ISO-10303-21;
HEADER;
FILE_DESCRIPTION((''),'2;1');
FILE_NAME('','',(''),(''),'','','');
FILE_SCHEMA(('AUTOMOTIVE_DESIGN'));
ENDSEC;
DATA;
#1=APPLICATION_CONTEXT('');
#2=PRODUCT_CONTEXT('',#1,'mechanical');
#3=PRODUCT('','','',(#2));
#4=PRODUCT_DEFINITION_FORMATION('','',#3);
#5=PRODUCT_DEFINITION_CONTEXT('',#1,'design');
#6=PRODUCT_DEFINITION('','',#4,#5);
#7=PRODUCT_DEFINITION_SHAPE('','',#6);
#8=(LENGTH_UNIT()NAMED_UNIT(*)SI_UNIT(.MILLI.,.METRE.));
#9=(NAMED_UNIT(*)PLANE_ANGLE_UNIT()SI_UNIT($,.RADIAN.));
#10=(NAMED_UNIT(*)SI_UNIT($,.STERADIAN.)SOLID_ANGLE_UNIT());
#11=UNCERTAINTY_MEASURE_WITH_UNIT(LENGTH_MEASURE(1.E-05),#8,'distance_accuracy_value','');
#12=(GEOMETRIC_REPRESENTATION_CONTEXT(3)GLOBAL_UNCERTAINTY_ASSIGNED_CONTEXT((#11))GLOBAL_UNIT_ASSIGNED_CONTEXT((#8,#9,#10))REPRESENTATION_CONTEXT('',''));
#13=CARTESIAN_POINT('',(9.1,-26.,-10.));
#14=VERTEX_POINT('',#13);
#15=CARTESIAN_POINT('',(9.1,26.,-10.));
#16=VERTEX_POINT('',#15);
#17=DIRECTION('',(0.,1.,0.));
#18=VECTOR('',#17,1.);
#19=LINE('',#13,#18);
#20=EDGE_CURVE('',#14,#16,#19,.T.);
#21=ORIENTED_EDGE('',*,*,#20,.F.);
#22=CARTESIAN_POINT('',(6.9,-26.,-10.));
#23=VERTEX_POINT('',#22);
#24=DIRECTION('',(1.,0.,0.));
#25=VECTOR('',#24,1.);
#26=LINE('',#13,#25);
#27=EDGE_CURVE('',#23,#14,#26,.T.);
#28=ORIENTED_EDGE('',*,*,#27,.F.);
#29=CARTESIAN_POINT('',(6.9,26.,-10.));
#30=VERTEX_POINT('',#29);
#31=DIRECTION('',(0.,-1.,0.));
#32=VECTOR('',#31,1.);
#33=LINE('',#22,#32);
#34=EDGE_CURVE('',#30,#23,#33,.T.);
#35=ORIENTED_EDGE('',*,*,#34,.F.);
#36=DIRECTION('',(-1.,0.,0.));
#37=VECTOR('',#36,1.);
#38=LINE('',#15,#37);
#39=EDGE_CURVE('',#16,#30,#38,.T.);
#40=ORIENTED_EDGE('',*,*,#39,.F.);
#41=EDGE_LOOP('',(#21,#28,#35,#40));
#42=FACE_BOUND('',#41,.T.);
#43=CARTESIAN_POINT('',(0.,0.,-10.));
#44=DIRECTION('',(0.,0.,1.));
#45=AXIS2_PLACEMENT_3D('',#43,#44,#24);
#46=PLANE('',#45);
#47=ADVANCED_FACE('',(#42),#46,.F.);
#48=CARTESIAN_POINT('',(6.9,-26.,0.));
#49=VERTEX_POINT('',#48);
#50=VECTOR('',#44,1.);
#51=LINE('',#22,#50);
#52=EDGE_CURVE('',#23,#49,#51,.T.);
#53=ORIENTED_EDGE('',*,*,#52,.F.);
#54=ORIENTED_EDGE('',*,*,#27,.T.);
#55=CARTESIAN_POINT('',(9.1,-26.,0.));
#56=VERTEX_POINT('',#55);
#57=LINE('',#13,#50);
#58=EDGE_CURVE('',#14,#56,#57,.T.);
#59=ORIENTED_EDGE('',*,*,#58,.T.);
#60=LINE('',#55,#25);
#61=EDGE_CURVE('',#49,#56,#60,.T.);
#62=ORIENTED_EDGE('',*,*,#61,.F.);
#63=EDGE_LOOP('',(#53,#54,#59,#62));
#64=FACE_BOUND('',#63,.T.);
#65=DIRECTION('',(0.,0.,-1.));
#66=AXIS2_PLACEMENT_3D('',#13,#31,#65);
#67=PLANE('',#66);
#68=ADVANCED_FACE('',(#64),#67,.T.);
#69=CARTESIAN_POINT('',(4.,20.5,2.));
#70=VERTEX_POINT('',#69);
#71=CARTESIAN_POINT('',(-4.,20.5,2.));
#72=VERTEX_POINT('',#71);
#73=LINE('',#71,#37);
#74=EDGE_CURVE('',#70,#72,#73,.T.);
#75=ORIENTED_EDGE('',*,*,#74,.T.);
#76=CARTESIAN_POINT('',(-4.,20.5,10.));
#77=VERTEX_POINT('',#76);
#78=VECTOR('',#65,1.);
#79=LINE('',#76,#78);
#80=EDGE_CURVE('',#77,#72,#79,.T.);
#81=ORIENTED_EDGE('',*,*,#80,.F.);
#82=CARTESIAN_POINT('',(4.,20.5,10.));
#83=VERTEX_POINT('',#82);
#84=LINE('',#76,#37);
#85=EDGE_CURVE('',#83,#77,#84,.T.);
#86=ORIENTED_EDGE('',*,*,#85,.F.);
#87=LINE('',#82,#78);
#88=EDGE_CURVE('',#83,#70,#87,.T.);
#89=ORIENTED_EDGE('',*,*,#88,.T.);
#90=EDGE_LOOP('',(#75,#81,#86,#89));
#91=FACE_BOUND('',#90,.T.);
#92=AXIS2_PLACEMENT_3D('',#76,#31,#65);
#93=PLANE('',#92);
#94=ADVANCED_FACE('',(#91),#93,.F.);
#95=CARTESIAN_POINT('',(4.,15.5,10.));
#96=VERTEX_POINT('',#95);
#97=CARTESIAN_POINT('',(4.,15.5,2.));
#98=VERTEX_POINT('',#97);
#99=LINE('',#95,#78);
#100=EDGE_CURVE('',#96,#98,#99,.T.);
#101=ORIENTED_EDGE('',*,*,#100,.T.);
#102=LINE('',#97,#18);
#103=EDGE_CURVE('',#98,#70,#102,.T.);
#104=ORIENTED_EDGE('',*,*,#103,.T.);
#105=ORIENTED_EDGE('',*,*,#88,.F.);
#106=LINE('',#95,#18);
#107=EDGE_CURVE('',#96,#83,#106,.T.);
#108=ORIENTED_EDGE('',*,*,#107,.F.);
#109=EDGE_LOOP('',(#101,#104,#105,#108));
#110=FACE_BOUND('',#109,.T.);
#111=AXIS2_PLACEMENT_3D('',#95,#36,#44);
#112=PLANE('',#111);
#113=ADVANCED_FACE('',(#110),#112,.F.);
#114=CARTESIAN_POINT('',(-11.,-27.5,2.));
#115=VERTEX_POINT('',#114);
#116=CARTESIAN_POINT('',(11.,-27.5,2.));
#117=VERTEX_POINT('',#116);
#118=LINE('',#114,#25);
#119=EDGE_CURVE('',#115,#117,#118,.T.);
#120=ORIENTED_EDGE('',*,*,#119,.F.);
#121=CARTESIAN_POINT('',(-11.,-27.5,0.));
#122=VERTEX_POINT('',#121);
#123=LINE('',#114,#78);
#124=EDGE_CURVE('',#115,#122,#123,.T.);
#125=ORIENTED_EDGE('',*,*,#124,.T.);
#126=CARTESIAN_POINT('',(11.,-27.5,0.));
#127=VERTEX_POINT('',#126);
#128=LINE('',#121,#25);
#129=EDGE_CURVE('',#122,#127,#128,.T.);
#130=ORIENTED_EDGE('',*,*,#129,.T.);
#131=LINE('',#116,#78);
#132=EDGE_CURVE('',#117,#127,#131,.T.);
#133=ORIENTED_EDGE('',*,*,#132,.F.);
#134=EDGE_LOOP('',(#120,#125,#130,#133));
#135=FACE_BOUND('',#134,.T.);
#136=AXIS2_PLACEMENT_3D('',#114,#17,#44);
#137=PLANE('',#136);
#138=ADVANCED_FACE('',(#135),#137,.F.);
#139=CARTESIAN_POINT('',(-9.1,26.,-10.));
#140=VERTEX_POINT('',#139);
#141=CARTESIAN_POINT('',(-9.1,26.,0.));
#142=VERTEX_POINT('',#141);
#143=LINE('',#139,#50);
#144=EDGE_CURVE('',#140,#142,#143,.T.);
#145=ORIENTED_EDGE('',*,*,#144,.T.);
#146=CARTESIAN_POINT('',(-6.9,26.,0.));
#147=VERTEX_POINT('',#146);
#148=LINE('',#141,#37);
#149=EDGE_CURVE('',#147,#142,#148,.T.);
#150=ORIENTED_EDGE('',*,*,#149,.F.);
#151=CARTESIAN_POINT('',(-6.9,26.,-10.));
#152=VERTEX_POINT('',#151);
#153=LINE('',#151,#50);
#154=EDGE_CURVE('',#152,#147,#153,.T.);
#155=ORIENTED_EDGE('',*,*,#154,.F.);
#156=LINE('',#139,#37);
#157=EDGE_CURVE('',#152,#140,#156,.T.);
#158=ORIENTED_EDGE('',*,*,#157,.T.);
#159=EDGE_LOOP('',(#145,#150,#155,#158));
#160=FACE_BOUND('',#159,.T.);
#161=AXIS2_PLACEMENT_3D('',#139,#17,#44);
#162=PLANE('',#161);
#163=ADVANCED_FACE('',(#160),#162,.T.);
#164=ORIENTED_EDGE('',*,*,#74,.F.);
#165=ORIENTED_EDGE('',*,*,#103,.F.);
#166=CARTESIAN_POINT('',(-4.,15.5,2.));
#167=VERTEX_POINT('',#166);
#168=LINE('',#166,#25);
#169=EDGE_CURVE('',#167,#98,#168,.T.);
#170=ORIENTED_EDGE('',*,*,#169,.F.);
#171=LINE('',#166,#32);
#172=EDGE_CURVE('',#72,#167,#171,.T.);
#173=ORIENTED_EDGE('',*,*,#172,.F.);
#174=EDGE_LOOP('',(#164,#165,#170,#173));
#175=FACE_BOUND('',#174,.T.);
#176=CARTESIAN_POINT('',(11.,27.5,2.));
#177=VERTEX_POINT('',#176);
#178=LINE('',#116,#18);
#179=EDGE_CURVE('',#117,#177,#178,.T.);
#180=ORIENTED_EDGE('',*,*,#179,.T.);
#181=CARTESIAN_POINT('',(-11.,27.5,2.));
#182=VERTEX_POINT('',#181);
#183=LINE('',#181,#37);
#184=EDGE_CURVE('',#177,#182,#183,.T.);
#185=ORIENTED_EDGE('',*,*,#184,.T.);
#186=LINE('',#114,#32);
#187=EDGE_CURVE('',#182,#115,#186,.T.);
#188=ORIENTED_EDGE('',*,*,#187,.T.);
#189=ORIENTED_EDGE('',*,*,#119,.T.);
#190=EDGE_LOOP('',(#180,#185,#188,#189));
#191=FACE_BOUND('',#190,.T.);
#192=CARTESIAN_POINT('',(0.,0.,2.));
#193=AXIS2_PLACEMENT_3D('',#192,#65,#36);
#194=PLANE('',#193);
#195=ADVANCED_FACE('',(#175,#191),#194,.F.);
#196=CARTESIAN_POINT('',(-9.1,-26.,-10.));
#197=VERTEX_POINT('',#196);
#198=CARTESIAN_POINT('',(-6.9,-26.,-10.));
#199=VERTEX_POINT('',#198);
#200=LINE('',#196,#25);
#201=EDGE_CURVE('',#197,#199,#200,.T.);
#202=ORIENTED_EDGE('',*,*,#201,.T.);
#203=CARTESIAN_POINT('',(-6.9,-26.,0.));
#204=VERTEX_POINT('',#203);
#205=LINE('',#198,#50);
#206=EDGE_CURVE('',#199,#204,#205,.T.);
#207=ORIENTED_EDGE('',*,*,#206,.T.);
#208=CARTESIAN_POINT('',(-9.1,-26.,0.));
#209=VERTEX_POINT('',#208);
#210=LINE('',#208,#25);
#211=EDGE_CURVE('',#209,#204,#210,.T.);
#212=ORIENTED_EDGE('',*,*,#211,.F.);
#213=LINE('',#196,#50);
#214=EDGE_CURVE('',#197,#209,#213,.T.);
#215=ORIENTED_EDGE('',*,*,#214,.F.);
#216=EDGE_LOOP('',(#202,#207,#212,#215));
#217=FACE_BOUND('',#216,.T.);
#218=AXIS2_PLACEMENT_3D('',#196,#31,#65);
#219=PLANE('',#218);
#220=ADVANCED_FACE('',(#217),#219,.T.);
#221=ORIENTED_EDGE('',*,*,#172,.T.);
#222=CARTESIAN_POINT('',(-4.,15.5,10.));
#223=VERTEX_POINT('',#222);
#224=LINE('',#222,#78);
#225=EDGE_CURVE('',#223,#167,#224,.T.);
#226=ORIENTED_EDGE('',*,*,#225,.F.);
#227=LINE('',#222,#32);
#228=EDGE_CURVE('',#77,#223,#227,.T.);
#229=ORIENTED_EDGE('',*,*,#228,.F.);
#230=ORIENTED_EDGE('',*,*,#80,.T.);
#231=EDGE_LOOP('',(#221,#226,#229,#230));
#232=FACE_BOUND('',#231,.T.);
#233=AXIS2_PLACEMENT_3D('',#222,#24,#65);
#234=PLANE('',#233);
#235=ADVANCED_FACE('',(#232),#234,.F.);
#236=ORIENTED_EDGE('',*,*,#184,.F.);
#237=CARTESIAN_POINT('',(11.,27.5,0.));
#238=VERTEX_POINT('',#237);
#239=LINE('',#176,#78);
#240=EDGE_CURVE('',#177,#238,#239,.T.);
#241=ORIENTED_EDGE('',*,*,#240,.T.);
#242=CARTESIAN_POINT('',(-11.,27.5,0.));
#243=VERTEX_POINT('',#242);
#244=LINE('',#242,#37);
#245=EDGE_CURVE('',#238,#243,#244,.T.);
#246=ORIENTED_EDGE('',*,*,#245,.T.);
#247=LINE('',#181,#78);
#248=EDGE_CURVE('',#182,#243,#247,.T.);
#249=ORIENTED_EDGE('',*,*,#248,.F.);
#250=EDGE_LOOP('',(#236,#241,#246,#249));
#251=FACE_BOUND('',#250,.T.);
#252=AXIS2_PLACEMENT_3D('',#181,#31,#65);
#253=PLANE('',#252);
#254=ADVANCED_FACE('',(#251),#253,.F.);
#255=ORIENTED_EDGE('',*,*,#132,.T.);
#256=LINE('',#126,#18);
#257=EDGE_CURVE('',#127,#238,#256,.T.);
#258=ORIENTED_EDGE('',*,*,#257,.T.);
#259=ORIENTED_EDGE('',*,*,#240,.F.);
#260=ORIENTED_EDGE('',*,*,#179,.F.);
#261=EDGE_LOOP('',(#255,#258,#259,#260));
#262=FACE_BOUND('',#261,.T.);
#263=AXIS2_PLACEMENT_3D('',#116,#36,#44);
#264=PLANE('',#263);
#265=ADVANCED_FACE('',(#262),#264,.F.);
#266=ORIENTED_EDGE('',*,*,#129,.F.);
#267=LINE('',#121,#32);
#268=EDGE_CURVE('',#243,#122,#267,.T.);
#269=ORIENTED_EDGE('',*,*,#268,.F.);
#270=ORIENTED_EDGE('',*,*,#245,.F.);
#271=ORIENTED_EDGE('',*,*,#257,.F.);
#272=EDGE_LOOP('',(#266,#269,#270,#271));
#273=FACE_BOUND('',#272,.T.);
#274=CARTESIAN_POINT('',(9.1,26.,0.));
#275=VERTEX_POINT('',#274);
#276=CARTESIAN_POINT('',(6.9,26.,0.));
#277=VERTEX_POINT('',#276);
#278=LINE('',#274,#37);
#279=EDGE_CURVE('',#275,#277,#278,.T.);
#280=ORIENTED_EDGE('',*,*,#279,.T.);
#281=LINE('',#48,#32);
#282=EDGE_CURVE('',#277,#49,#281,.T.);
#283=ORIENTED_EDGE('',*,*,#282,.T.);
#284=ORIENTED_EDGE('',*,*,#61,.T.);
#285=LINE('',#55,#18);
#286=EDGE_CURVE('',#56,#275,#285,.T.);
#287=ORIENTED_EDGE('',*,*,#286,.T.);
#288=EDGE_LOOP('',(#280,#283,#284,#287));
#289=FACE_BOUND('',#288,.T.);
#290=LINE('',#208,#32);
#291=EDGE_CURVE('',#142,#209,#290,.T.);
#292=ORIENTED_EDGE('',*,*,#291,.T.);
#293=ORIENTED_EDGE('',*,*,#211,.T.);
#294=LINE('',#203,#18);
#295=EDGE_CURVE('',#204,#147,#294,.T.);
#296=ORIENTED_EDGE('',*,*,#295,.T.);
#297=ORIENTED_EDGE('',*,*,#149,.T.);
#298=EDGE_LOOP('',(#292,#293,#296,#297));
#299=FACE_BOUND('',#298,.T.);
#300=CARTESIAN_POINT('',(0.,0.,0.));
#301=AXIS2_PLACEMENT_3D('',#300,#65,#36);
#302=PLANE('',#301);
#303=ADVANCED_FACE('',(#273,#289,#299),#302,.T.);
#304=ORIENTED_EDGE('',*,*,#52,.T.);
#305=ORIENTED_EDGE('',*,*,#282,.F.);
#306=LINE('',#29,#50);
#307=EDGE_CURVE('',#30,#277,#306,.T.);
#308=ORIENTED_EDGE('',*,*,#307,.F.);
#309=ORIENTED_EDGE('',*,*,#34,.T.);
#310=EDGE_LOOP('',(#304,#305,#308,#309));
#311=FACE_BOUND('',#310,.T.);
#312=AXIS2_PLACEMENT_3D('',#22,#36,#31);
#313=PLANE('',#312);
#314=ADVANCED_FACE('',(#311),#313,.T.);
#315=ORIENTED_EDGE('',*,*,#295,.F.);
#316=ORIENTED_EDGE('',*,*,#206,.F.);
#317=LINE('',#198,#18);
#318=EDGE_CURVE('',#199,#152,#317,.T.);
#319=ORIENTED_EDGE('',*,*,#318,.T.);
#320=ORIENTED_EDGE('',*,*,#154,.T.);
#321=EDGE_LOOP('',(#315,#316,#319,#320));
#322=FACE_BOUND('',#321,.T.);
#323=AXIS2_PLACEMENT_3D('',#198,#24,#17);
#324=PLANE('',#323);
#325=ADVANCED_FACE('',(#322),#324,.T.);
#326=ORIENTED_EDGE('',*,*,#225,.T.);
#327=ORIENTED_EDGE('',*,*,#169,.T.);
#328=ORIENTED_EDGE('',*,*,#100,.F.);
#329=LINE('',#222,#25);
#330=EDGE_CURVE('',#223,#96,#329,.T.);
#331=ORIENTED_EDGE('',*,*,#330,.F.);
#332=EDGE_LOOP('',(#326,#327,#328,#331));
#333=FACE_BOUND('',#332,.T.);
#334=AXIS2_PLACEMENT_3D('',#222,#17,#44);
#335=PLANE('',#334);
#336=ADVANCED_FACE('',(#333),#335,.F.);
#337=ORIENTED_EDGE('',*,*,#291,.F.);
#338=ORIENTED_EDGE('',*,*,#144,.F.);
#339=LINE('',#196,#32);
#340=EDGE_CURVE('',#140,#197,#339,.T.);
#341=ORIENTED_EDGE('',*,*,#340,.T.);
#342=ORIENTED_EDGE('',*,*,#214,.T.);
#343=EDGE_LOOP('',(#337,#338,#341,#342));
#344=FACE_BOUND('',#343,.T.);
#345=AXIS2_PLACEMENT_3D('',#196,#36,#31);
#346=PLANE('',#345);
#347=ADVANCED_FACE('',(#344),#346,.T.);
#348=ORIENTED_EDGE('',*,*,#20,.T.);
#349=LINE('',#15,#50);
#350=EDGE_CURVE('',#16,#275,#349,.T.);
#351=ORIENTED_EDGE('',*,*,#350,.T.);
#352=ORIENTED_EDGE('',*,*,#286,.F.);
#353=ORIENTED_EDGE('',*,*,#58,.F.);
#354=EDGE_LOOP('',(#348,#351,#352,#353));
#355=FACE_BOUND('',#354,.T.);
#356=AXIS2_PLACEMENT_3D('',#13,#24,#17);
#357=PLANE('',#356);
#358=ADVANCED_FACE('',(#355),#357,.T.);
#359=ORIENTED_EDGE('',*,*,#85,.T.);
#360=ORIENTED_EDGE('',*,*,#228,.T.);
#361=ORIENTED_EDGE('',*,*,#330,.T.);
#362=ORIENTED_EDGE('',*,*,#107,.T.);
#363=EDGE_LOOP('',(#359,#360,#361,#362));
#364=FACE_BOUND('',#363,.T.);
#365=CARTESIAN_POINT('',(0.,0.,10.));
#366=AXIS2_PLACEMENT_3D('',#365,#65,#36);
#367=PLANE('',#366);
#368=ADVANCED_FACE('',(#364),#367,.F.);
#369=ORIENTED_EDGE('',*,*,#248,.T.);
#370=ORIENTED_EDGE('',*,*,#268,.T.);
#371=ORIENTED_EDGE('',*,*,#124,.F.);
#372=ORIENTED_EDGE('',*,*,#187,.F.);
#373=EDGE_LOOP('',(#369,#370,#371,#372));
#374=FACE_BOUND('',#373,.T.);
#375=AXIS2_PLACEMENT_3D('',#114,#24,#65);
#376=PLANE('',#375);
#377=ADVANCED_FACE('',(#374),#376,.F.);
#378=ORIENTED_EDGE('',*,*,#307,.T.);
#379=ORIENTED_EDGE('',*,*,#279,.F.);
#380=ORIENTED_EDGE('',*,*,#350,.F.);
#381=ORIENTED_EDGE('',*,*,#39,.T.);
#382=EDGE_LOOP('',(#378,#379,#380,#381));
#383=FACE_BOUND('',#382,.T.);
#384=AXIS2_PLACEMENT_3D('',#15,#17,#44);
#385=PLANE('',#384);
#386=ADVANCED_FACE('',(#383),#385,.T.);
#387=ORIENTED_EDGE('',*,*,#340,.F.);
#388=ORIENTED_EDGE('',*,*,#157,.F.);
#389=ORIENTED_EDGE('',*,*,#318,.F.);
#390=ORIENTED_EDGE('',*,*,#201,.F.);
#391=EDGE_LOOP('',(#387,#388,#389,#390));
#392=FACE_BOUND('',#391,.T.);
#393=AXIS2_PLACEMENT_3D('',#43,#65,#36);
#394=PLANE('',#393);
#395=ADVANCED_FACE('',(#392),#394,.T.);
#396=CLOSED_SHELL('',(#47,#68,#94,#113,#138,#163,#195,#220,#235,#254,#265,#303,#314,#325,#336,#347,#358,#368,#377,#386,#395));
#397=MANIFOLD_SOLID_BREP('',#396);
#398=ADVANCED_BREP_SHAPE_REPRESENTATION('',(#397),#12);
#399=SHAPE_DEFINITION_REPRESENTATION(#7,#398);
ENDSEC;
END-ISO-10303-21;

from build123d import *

# Parameters (mm, degrees)
SKETCH_1_W      = 22
SKETCH_1_H      = 55
EXTRUDE_1_DEPTH = 2
SKETCH_2_W      = 2.2
SKETCH_2_H      = 52
EXTRUDE_2_DEPTH = 10
SKETCH_4_W      = 8
SKETCH_4_H      = 5
EXTRUDE_3_DEPTH = 8


with BuildPart() as part:
    # 草图1 → 凸台-拉伸1 (new body)
    with BuildSketch(Plane.XY):
        Rectangle(SKETCH_1_W, SKETCH_1_H)
    extrude(amount=EXTRUDE_1_DEPTH)

    # 草图2 → 凸台-拉伸2 (add)
    with BuildSketch(Plane.XY):
        with Locations((8, 0)):
            Rectangle(SKETCH_2_W, SKETCH_2_H)
        with Locations((-8, 0)):
            Rectangle(SKETCH_2_W, SKETCH_2_H)
    extrude(amount=-EXTRUDE_2_DEPTH)

    # 草图4 → 凸台-拉伸3 (add)
    with BuildSketch(Plane.XY.offset(2)):
        with Locations((0, 18)):
            Rectangle(SKETCH_4_W, SKETCH_4_H)
    extrude(amount=EXTRUDE_3_DEPTH)


solid = part.part
